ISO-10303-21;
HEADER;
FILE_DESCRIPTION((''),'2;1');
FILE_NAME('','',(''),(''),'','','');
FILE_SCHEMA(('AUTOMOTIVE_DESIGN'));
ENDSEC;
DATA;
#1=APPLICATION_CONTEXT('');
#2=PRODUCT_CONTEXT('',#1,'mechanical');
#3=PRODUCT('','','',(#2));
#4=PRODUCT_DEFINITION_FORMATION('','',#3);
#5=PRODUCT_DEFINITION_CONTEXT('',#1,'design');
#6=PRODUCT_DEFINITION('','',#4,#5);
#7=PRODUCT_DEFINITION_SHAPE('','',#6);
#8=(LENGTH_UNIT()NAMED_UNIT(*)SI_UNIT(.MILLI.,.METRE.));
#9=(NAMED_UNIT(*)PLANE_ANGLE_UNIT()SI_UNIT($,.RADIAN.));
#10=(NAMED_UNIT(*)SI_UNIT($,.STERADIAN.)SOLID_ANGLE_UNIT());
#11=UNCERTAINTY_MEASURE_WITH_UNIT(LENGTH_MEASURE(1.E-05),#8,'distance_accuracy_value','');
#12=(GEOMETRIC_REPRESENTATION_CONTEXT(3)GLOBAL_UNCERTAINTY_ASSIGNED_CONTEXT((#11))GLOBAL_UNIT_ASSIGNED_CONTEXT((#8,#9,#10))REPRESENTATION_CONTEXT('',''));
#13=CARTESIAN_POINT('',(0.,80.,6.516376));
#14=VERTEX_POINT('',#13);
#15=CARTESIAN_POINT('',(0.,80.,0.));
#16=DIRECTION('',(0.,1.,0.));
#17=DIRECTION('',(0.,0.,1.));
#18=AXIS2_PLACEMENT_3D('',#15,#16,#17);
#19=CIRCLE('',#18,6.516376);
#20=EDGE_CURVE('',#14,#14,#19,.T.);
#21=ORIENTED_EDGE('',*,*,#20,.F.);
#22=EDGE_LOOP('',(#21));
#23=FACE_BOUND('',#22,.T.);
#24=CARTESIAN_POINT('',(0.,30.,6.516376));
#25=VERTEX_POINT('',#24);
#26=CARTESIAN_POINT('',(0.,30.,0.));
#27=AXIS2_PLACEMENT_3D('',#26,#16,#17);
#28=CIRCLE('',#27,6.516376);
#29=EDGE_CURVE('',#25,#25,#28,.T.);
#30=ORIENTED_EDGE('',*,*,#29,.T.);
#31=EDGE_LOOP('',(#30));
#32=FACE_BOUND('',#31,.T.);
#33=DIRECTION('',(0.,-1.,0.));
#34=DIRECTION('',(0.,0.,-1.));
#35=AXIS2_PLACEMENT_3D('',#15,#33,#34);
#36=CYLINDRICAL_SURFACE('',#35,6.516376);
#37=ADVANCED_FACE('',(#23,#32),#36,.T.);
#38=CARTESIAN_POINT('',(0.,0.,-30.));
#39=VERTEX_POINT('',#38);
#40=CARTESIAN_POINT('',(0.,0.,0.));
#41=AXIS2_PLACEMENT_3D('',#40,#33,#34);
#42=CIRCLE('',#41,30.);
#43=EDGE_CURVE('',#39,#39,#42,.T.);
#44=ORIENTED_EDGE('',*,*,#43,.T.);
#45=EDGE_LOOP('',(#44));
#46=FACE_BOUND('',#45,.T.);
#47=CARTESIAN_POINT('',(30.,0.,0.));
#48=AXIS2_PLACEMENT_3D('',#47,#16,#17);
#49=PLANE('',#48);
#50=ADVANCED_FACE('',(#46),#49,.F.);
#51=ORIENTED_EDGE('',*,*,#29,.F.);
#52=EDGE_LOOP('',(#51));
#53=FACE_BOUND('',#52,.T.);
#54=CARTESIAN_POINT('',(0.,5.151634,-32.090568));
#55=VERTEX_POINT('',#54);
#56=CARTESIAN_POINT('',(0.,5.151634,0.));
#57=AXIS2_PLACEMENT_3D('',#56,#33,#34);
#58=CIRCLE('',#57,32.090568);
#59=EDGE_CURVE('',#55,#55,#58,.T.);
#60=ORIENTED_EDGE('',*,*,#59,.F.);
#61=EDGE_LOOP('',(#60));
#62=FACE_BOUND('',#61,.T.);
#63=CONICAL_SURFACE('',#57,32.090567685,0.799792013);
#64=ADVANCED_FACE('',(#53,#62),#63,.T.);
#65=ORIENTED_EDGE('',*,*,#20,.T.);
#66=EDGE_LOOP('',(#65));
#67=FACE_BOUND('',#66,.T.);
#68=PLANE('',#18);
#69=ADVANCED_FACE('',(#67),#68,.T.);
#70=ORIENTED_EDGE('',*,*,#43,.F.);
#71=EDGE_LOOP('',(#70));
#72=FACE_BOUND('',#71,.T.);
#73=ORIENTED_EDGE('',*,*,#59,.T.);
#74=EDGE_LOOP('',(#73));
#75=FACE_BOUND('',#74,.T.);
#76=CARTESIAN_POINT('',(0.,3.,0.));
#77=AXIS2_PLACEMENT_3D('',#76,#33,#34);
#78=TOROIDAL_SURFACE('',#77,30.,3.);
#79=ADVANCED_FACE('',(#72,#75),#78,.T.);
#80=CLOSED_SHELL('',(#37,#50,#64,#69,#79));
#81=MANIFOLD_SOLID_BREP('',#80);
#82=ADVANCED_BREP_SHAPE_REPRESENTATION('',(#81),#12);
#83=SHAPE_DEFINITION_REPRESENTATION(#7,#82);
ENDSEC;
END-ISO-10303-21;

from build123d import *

# Parameters (mm, degrees)
SKETCH2_R           = 6.516376359
BOSS_EXTRUDE1_DEPTH = 50


with BuildPart() as part:
    # Sketch1 → Revolve1 (revolve)
    with BuildSketch(Plane.XY):
        with BuildLine():
            Line((32.090567685, 5.151633508), (6.516376359, 30))
            Line((6.516376359, 30), (0, 30))
            Line((0, 30), (0, 0))
            Line((0, 0), (30, 0))
            ThreePointArc((30, 0), (32.779829179, 1.871926537), (32.090567685, 5.151633508))
        make_face()
    revolve(axis=Axis((0, 27.622874036, 0), (0, 1, 0)))

    # Sketch2 → Boss-Extrude1 (add)
    with BuildSketch(Plane(origin=(0, 30, 0), x_dir=(1, 0, 0), z_dir=(0, 1, 0))):
        Circle(SKETCH2_R)
    extrude(amount=BOSS_EXTRUDE1_DEPTH)


solid = part.part
